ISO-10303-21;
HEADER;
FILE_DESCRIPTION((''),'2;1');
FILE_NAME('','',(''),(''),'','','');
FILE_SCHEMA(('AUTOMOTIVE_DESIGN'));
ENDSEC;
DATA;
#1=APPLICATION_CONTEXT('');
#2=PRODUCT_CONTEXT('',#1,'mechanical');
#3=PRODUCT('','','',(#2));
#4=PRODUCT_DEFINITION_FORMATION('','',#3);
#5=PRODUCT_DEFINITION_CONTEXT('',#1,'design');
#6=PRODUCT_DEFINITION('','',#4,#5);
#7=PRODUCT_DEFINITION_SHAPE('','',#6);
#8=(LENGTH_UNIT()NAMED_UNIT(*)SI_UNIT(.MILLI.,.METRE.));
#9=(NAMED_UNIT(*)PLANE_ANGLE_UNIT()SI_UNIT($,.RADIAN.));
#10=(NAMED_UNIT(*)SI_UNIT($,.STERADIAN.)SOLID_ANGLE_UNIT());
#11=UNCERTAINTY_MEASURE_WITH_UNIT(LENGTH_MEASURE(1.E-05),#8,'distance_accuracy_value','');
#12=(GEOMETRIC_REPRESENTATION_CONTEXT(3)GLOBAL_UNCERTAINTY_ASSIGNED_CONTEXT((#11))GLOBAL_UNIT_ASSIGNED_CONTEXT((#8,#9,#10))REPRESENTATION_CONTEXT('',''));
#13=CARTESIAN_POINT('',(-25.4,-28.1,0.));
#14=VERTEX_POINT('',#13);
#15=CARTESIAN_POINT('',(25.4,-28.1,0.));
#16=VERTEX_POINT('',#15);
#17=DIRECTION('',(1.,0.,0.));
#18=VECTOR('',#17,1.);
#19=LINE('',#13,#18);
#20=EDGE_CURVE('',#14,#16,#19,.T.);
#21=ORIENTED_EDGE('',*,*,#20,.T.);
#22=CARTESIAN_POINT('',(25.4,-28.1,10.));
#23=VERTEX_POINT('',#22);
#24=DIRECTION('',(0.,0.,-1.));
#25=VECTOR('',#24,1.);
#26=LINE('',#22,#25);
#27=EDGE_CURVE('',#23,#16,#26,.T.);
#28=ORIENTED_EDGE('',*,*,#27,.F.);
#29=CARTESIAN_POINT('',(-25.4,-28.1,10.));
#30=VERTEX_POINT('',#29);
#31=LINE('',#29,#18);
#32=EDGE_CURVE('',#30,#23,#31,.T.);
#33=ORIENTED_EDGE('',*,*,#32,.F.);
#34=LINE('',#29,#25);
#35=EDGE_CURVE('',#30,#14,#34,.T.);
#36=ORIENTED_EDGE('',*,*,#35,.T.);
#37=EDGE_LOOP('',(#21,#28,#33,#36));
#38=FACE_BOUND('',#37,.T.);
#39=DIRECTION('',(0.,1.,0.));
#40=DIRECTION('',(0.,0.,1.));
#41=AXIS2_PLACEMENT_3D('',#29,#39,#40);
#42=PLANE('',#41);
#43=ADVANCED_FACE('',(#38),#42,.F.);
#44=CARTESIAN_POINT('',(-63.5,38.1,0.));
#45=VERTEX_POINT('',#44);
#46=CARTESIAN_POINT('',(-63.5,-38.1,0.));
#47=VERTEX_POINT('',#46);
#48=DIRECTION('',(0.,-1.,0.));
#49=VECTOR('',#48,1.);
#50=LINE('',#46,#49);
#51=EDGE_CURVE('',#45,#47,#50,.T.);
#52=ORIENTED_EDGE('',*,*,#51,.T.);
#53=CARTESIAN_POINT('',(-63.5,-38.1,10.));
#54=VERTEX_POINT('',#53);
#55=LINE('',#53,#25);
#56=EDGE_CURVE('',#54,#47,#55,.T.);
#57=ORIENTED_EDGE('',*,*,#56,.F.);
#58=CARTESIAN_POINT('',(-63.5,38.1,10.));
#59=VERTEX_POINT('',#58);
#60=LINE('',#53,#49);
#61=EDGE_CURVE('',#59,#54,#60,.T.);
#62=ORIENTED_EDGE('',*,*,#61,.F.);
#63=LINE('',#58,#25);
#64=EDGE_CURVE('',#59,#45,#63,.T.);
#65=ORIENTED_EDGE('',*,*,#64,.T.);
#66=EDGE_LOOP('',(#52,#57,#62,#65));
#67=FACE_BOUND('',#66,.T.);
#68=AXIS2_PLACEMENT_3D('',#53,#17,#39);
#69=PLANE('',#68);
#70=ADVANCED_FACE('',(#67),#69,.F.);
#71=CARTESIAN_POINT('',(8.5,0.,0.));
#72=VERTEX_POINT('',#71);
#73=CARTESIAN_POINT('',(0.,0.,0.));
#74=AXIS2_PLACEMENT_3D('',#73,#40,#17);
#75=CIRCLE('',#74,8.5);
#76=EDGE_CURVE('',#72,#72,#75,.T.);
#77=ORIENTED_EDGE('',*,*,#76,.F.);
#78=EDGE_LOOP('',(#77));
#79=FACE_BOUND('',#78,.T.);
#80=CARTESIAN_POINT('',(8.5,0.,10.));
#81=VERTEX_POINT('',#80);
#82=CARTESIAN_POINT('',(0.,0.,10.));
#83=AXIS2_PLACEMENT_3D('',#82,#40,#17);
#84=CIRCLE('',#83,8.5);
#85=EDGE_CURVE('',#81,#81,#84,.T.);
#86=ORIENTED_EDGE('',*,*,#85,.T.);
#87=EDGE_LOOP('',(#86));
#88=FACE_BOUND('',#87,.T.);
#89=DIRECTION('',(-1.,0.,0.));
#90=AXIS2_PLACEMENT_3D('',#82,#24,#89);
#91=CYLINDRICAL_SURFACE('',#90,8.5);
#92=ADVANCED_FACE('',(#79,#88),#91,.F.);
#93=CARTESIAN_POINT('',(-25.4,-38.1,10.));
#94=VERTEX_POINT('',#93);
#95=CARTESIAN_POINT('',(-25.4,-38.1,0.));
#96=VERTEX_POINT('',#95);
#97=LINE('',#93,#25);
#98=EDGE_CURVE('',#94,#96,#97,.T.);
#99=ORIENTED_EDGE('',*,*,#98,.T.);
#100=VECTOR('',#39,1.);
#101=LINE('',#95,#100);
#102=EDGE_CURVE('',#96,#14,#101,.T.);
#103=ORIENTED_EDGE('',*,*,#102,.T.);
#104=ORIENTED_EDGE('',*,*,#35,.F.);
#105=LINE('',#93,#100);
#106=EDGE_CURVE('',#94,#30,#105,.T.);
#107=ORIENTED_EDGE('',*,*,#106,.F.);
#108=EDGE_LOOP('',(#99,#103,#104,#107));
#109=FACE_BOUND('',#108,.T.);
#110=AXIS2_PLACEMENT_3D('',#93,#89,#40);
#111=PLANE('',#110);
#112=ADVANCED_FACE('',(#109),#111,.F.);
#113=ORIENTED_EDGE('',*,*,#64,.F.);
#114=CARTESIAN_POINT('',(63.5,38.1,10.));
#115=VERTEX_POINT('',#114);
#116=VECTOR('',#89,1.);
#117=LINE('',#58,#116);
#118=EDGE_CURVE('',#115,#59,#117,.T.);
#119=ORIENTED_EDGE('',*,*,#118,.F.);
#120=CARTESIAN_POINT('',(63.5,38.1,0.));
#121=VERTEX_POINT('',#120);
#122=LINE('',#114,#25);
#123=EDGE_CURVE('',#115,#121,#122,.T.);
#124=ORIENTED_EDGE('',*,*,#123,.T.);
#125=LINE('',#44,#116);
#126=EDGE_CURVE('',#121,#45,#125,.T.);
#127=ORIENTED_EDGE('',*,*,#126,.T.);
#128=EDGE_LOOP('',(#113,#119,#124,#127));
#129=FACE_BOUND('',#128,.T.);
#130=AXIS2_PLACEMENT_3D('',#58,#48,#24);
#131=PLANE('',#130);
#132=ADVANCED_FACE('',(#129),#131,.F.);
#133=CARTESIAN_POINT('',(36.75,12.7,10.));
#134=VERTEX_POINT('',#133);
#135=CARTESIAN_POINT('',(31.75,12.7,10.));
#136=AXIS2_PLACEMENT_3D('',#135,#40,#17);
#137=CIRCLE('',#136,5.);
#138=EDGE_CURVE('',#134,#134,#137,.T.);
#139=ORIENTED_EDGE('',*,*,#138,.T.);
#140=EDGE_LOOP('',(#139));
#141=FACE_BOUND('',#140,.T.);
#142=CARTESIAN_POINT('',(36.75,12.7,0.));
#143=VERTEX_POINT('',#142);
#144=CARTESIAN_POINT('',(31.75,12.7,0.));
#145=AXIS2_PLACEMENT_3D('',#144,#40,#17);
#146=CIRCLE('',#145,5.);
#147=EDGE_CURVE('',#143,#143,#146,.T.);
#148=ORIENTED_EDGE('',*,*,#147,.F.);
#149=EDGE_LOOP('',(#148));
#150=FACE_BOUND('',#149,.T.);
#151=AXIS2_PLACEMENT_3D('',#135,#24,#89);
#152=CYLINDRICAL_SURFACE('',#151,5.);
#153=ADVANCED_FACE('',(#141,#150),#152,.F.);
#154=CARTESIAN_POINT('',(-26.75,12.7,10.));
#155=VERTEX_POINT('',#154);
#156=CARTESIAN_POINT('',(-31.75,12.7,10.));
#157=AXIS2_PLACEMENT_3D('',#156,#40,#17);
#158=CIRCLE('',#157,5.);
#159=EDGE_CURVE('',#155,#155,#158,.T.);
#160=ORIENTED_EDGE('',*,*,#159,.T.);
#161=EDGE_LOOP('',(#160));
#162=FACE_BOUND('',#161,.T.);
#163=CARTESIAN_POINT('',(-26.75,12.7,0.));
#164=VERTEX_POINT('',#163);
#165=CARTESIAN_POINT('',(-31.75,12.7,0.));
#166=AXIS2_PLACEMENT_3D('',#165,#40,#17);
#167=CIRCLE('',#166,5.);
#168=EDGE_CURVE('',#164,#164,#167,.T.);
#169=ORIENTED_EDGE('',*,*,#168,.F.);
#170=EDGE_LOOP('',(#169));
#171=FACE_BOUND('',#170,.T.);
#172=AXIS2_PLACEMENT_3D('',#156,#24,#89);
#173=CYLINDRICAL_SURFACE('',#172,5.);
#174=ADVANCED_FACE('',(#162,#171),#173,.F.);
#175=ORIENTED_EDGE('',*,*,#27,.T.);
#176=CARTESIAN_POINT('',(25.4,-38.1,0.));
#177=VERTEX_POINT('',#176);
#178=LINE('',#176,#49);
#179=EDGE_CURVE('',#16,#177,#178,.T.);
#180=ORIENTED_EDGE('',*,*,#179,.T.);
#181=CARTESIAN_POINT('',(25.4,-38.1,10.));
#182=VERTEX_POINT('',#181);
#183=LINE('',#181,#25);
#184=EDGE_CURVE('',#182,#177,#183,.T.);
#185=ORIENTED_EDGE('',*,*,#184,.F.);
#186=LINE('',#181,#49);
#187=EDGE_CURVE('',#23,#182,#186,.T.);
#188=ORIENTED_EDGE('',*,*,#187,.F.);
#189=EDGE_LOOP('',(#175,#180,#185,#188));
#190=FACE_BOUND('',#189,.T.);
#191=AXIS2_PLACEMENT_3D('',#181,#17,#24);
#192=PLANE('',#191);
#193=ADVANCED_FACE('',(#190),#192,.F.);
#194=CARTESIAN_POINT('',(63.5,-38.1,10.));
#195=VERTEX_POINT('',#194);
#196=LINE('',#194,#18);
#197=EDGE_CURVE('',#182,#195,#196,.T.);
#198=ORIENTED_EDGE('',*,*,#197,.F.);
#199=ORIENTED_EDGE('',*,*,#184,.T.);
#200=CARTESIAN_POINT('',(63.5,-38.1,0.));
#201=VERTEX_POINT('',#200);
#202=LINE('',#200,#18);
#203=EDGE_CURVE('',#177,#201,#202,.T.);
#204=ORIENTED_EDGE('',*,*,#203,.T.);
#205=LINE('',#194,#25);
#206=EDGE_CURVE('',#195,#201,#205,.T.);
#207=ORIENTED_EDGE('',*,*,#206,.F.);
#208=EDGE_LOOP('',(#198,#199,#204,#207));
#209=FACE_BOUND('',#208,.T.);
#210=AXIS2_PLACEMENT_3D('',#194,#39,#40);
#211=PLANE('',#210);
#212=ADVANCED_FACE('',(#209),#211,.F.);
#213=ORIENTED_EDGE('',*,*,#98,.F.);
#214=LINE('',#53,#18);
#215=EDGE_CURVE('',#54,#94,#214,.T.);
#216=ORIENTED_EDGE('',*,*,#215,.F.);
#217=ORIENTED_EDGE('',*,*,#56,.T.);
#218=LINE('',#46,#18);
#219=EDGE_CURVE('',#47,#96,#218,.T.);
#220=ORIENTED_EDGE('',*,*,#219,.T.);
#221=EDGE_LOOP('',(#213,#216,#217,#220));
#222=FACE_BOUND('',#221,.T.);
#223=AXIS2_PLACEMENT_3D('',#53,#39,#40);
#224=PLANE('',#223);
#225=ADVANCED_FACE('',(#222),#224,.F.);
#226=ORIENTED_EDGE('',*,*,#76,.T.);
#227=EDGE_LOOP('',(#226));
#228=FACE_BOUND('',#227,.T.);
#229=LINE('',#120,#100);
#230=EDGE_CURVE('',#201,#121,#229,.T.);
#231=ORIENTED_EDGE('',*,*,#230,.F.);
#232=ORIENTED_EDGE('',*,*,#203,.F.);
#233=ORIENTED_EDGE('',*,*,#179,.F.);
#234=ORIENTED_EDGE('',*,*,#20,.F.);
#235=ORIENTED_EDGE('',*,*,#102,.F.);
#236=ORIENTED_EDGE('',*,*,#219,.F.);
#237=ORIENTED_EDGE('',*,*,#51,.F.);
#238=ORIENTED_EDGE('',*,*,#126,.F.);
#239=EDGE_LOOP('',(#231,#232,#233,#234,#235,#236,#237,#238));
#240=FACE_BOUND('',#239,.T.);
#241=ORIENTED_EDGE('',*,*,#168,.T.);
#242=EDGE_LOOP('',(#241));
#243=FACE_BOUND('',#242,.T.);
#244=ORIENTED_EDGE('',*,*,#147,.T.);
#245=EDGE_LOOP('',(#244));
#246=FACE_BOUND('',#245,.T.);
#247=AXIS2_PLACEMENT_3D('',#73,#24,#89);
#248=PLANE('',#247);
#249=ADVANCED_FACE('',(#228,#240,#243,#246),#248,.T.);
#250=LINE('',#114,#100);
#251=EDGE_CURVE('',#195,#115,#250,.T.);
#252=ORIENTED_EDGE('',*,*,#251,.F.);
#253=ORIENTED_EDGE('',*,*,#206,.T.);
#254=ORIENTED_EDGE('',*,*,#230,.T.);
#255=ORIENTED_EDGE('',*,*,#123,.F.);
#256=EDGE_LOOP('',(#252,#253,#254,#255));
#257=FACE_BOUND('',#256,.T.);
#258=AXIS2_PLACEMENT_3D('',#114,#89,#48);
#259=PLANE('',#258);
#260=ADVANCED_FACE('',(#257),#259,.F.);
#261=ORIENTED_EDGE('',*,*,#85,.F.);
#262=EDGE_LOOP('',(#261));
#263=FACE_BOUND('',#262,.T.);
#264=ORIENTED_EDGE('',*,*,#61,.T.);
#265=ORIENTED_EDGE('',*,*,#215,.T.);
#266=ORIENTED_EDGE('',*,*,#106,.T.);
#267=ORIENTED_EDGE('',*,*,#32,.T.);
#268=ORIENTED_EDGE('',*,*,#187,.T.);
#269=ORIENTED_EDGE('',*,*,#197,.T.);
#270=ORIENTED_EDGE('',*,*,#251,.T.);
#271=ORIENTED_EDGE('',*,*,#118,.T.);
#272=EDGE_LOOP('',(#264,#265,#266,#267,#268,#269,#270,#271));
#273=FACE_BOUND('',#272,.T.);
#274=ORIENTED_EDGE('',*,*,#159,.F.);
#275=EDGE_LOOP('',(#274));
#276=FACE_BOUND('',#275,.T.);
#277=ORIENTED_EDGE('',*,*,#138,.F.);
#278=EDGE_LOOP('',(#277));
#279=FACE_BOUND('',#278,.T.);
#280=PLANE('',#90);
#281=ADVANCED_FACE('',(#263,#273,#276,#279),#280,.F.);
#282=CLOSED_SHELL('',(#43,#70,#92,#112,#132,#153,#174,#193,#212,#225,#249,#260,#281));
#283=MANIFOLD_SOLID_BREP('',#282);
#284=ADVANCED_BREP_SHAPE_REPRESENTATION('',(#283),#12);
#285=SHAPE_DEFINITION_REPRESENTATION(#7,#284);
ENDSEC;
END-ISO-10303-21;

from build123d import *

# Parameters (mm, degrees)
SKETCH1_R           = 8.5
SKETCH1_R_2         = 5
BOSS_EXTRUDE1_DEPTH = 10


with BuildPart() as part:
    # Sketch1 → Boss-Extrude1 (new body)
    with BuildSketch(Plane.XY):
        Polygon((-63.5, -38.1), (-25.4, -38.1), (-25.4, -28.1), (25.4, -28.1), (25.4, -38.1), (63.5, -38.1), (63.5, 38.1), (-63.5, 38.1), align=None)
        Circle(SKETCH1_R, mode=Mode.SUBTRACT)
        with Locations((-31.75, 12.7)):
            Circle(SKETCH1_R_2, mode=Mode.SUBTRACT)
        with Locations((31.75, 12.7)):
            Circle(SKETCH1_R_2, mode=Mode.SUBTRACT)
    extrude(amount=BOSS_EXTRUDE1_DEPTH)


solid = part.part
